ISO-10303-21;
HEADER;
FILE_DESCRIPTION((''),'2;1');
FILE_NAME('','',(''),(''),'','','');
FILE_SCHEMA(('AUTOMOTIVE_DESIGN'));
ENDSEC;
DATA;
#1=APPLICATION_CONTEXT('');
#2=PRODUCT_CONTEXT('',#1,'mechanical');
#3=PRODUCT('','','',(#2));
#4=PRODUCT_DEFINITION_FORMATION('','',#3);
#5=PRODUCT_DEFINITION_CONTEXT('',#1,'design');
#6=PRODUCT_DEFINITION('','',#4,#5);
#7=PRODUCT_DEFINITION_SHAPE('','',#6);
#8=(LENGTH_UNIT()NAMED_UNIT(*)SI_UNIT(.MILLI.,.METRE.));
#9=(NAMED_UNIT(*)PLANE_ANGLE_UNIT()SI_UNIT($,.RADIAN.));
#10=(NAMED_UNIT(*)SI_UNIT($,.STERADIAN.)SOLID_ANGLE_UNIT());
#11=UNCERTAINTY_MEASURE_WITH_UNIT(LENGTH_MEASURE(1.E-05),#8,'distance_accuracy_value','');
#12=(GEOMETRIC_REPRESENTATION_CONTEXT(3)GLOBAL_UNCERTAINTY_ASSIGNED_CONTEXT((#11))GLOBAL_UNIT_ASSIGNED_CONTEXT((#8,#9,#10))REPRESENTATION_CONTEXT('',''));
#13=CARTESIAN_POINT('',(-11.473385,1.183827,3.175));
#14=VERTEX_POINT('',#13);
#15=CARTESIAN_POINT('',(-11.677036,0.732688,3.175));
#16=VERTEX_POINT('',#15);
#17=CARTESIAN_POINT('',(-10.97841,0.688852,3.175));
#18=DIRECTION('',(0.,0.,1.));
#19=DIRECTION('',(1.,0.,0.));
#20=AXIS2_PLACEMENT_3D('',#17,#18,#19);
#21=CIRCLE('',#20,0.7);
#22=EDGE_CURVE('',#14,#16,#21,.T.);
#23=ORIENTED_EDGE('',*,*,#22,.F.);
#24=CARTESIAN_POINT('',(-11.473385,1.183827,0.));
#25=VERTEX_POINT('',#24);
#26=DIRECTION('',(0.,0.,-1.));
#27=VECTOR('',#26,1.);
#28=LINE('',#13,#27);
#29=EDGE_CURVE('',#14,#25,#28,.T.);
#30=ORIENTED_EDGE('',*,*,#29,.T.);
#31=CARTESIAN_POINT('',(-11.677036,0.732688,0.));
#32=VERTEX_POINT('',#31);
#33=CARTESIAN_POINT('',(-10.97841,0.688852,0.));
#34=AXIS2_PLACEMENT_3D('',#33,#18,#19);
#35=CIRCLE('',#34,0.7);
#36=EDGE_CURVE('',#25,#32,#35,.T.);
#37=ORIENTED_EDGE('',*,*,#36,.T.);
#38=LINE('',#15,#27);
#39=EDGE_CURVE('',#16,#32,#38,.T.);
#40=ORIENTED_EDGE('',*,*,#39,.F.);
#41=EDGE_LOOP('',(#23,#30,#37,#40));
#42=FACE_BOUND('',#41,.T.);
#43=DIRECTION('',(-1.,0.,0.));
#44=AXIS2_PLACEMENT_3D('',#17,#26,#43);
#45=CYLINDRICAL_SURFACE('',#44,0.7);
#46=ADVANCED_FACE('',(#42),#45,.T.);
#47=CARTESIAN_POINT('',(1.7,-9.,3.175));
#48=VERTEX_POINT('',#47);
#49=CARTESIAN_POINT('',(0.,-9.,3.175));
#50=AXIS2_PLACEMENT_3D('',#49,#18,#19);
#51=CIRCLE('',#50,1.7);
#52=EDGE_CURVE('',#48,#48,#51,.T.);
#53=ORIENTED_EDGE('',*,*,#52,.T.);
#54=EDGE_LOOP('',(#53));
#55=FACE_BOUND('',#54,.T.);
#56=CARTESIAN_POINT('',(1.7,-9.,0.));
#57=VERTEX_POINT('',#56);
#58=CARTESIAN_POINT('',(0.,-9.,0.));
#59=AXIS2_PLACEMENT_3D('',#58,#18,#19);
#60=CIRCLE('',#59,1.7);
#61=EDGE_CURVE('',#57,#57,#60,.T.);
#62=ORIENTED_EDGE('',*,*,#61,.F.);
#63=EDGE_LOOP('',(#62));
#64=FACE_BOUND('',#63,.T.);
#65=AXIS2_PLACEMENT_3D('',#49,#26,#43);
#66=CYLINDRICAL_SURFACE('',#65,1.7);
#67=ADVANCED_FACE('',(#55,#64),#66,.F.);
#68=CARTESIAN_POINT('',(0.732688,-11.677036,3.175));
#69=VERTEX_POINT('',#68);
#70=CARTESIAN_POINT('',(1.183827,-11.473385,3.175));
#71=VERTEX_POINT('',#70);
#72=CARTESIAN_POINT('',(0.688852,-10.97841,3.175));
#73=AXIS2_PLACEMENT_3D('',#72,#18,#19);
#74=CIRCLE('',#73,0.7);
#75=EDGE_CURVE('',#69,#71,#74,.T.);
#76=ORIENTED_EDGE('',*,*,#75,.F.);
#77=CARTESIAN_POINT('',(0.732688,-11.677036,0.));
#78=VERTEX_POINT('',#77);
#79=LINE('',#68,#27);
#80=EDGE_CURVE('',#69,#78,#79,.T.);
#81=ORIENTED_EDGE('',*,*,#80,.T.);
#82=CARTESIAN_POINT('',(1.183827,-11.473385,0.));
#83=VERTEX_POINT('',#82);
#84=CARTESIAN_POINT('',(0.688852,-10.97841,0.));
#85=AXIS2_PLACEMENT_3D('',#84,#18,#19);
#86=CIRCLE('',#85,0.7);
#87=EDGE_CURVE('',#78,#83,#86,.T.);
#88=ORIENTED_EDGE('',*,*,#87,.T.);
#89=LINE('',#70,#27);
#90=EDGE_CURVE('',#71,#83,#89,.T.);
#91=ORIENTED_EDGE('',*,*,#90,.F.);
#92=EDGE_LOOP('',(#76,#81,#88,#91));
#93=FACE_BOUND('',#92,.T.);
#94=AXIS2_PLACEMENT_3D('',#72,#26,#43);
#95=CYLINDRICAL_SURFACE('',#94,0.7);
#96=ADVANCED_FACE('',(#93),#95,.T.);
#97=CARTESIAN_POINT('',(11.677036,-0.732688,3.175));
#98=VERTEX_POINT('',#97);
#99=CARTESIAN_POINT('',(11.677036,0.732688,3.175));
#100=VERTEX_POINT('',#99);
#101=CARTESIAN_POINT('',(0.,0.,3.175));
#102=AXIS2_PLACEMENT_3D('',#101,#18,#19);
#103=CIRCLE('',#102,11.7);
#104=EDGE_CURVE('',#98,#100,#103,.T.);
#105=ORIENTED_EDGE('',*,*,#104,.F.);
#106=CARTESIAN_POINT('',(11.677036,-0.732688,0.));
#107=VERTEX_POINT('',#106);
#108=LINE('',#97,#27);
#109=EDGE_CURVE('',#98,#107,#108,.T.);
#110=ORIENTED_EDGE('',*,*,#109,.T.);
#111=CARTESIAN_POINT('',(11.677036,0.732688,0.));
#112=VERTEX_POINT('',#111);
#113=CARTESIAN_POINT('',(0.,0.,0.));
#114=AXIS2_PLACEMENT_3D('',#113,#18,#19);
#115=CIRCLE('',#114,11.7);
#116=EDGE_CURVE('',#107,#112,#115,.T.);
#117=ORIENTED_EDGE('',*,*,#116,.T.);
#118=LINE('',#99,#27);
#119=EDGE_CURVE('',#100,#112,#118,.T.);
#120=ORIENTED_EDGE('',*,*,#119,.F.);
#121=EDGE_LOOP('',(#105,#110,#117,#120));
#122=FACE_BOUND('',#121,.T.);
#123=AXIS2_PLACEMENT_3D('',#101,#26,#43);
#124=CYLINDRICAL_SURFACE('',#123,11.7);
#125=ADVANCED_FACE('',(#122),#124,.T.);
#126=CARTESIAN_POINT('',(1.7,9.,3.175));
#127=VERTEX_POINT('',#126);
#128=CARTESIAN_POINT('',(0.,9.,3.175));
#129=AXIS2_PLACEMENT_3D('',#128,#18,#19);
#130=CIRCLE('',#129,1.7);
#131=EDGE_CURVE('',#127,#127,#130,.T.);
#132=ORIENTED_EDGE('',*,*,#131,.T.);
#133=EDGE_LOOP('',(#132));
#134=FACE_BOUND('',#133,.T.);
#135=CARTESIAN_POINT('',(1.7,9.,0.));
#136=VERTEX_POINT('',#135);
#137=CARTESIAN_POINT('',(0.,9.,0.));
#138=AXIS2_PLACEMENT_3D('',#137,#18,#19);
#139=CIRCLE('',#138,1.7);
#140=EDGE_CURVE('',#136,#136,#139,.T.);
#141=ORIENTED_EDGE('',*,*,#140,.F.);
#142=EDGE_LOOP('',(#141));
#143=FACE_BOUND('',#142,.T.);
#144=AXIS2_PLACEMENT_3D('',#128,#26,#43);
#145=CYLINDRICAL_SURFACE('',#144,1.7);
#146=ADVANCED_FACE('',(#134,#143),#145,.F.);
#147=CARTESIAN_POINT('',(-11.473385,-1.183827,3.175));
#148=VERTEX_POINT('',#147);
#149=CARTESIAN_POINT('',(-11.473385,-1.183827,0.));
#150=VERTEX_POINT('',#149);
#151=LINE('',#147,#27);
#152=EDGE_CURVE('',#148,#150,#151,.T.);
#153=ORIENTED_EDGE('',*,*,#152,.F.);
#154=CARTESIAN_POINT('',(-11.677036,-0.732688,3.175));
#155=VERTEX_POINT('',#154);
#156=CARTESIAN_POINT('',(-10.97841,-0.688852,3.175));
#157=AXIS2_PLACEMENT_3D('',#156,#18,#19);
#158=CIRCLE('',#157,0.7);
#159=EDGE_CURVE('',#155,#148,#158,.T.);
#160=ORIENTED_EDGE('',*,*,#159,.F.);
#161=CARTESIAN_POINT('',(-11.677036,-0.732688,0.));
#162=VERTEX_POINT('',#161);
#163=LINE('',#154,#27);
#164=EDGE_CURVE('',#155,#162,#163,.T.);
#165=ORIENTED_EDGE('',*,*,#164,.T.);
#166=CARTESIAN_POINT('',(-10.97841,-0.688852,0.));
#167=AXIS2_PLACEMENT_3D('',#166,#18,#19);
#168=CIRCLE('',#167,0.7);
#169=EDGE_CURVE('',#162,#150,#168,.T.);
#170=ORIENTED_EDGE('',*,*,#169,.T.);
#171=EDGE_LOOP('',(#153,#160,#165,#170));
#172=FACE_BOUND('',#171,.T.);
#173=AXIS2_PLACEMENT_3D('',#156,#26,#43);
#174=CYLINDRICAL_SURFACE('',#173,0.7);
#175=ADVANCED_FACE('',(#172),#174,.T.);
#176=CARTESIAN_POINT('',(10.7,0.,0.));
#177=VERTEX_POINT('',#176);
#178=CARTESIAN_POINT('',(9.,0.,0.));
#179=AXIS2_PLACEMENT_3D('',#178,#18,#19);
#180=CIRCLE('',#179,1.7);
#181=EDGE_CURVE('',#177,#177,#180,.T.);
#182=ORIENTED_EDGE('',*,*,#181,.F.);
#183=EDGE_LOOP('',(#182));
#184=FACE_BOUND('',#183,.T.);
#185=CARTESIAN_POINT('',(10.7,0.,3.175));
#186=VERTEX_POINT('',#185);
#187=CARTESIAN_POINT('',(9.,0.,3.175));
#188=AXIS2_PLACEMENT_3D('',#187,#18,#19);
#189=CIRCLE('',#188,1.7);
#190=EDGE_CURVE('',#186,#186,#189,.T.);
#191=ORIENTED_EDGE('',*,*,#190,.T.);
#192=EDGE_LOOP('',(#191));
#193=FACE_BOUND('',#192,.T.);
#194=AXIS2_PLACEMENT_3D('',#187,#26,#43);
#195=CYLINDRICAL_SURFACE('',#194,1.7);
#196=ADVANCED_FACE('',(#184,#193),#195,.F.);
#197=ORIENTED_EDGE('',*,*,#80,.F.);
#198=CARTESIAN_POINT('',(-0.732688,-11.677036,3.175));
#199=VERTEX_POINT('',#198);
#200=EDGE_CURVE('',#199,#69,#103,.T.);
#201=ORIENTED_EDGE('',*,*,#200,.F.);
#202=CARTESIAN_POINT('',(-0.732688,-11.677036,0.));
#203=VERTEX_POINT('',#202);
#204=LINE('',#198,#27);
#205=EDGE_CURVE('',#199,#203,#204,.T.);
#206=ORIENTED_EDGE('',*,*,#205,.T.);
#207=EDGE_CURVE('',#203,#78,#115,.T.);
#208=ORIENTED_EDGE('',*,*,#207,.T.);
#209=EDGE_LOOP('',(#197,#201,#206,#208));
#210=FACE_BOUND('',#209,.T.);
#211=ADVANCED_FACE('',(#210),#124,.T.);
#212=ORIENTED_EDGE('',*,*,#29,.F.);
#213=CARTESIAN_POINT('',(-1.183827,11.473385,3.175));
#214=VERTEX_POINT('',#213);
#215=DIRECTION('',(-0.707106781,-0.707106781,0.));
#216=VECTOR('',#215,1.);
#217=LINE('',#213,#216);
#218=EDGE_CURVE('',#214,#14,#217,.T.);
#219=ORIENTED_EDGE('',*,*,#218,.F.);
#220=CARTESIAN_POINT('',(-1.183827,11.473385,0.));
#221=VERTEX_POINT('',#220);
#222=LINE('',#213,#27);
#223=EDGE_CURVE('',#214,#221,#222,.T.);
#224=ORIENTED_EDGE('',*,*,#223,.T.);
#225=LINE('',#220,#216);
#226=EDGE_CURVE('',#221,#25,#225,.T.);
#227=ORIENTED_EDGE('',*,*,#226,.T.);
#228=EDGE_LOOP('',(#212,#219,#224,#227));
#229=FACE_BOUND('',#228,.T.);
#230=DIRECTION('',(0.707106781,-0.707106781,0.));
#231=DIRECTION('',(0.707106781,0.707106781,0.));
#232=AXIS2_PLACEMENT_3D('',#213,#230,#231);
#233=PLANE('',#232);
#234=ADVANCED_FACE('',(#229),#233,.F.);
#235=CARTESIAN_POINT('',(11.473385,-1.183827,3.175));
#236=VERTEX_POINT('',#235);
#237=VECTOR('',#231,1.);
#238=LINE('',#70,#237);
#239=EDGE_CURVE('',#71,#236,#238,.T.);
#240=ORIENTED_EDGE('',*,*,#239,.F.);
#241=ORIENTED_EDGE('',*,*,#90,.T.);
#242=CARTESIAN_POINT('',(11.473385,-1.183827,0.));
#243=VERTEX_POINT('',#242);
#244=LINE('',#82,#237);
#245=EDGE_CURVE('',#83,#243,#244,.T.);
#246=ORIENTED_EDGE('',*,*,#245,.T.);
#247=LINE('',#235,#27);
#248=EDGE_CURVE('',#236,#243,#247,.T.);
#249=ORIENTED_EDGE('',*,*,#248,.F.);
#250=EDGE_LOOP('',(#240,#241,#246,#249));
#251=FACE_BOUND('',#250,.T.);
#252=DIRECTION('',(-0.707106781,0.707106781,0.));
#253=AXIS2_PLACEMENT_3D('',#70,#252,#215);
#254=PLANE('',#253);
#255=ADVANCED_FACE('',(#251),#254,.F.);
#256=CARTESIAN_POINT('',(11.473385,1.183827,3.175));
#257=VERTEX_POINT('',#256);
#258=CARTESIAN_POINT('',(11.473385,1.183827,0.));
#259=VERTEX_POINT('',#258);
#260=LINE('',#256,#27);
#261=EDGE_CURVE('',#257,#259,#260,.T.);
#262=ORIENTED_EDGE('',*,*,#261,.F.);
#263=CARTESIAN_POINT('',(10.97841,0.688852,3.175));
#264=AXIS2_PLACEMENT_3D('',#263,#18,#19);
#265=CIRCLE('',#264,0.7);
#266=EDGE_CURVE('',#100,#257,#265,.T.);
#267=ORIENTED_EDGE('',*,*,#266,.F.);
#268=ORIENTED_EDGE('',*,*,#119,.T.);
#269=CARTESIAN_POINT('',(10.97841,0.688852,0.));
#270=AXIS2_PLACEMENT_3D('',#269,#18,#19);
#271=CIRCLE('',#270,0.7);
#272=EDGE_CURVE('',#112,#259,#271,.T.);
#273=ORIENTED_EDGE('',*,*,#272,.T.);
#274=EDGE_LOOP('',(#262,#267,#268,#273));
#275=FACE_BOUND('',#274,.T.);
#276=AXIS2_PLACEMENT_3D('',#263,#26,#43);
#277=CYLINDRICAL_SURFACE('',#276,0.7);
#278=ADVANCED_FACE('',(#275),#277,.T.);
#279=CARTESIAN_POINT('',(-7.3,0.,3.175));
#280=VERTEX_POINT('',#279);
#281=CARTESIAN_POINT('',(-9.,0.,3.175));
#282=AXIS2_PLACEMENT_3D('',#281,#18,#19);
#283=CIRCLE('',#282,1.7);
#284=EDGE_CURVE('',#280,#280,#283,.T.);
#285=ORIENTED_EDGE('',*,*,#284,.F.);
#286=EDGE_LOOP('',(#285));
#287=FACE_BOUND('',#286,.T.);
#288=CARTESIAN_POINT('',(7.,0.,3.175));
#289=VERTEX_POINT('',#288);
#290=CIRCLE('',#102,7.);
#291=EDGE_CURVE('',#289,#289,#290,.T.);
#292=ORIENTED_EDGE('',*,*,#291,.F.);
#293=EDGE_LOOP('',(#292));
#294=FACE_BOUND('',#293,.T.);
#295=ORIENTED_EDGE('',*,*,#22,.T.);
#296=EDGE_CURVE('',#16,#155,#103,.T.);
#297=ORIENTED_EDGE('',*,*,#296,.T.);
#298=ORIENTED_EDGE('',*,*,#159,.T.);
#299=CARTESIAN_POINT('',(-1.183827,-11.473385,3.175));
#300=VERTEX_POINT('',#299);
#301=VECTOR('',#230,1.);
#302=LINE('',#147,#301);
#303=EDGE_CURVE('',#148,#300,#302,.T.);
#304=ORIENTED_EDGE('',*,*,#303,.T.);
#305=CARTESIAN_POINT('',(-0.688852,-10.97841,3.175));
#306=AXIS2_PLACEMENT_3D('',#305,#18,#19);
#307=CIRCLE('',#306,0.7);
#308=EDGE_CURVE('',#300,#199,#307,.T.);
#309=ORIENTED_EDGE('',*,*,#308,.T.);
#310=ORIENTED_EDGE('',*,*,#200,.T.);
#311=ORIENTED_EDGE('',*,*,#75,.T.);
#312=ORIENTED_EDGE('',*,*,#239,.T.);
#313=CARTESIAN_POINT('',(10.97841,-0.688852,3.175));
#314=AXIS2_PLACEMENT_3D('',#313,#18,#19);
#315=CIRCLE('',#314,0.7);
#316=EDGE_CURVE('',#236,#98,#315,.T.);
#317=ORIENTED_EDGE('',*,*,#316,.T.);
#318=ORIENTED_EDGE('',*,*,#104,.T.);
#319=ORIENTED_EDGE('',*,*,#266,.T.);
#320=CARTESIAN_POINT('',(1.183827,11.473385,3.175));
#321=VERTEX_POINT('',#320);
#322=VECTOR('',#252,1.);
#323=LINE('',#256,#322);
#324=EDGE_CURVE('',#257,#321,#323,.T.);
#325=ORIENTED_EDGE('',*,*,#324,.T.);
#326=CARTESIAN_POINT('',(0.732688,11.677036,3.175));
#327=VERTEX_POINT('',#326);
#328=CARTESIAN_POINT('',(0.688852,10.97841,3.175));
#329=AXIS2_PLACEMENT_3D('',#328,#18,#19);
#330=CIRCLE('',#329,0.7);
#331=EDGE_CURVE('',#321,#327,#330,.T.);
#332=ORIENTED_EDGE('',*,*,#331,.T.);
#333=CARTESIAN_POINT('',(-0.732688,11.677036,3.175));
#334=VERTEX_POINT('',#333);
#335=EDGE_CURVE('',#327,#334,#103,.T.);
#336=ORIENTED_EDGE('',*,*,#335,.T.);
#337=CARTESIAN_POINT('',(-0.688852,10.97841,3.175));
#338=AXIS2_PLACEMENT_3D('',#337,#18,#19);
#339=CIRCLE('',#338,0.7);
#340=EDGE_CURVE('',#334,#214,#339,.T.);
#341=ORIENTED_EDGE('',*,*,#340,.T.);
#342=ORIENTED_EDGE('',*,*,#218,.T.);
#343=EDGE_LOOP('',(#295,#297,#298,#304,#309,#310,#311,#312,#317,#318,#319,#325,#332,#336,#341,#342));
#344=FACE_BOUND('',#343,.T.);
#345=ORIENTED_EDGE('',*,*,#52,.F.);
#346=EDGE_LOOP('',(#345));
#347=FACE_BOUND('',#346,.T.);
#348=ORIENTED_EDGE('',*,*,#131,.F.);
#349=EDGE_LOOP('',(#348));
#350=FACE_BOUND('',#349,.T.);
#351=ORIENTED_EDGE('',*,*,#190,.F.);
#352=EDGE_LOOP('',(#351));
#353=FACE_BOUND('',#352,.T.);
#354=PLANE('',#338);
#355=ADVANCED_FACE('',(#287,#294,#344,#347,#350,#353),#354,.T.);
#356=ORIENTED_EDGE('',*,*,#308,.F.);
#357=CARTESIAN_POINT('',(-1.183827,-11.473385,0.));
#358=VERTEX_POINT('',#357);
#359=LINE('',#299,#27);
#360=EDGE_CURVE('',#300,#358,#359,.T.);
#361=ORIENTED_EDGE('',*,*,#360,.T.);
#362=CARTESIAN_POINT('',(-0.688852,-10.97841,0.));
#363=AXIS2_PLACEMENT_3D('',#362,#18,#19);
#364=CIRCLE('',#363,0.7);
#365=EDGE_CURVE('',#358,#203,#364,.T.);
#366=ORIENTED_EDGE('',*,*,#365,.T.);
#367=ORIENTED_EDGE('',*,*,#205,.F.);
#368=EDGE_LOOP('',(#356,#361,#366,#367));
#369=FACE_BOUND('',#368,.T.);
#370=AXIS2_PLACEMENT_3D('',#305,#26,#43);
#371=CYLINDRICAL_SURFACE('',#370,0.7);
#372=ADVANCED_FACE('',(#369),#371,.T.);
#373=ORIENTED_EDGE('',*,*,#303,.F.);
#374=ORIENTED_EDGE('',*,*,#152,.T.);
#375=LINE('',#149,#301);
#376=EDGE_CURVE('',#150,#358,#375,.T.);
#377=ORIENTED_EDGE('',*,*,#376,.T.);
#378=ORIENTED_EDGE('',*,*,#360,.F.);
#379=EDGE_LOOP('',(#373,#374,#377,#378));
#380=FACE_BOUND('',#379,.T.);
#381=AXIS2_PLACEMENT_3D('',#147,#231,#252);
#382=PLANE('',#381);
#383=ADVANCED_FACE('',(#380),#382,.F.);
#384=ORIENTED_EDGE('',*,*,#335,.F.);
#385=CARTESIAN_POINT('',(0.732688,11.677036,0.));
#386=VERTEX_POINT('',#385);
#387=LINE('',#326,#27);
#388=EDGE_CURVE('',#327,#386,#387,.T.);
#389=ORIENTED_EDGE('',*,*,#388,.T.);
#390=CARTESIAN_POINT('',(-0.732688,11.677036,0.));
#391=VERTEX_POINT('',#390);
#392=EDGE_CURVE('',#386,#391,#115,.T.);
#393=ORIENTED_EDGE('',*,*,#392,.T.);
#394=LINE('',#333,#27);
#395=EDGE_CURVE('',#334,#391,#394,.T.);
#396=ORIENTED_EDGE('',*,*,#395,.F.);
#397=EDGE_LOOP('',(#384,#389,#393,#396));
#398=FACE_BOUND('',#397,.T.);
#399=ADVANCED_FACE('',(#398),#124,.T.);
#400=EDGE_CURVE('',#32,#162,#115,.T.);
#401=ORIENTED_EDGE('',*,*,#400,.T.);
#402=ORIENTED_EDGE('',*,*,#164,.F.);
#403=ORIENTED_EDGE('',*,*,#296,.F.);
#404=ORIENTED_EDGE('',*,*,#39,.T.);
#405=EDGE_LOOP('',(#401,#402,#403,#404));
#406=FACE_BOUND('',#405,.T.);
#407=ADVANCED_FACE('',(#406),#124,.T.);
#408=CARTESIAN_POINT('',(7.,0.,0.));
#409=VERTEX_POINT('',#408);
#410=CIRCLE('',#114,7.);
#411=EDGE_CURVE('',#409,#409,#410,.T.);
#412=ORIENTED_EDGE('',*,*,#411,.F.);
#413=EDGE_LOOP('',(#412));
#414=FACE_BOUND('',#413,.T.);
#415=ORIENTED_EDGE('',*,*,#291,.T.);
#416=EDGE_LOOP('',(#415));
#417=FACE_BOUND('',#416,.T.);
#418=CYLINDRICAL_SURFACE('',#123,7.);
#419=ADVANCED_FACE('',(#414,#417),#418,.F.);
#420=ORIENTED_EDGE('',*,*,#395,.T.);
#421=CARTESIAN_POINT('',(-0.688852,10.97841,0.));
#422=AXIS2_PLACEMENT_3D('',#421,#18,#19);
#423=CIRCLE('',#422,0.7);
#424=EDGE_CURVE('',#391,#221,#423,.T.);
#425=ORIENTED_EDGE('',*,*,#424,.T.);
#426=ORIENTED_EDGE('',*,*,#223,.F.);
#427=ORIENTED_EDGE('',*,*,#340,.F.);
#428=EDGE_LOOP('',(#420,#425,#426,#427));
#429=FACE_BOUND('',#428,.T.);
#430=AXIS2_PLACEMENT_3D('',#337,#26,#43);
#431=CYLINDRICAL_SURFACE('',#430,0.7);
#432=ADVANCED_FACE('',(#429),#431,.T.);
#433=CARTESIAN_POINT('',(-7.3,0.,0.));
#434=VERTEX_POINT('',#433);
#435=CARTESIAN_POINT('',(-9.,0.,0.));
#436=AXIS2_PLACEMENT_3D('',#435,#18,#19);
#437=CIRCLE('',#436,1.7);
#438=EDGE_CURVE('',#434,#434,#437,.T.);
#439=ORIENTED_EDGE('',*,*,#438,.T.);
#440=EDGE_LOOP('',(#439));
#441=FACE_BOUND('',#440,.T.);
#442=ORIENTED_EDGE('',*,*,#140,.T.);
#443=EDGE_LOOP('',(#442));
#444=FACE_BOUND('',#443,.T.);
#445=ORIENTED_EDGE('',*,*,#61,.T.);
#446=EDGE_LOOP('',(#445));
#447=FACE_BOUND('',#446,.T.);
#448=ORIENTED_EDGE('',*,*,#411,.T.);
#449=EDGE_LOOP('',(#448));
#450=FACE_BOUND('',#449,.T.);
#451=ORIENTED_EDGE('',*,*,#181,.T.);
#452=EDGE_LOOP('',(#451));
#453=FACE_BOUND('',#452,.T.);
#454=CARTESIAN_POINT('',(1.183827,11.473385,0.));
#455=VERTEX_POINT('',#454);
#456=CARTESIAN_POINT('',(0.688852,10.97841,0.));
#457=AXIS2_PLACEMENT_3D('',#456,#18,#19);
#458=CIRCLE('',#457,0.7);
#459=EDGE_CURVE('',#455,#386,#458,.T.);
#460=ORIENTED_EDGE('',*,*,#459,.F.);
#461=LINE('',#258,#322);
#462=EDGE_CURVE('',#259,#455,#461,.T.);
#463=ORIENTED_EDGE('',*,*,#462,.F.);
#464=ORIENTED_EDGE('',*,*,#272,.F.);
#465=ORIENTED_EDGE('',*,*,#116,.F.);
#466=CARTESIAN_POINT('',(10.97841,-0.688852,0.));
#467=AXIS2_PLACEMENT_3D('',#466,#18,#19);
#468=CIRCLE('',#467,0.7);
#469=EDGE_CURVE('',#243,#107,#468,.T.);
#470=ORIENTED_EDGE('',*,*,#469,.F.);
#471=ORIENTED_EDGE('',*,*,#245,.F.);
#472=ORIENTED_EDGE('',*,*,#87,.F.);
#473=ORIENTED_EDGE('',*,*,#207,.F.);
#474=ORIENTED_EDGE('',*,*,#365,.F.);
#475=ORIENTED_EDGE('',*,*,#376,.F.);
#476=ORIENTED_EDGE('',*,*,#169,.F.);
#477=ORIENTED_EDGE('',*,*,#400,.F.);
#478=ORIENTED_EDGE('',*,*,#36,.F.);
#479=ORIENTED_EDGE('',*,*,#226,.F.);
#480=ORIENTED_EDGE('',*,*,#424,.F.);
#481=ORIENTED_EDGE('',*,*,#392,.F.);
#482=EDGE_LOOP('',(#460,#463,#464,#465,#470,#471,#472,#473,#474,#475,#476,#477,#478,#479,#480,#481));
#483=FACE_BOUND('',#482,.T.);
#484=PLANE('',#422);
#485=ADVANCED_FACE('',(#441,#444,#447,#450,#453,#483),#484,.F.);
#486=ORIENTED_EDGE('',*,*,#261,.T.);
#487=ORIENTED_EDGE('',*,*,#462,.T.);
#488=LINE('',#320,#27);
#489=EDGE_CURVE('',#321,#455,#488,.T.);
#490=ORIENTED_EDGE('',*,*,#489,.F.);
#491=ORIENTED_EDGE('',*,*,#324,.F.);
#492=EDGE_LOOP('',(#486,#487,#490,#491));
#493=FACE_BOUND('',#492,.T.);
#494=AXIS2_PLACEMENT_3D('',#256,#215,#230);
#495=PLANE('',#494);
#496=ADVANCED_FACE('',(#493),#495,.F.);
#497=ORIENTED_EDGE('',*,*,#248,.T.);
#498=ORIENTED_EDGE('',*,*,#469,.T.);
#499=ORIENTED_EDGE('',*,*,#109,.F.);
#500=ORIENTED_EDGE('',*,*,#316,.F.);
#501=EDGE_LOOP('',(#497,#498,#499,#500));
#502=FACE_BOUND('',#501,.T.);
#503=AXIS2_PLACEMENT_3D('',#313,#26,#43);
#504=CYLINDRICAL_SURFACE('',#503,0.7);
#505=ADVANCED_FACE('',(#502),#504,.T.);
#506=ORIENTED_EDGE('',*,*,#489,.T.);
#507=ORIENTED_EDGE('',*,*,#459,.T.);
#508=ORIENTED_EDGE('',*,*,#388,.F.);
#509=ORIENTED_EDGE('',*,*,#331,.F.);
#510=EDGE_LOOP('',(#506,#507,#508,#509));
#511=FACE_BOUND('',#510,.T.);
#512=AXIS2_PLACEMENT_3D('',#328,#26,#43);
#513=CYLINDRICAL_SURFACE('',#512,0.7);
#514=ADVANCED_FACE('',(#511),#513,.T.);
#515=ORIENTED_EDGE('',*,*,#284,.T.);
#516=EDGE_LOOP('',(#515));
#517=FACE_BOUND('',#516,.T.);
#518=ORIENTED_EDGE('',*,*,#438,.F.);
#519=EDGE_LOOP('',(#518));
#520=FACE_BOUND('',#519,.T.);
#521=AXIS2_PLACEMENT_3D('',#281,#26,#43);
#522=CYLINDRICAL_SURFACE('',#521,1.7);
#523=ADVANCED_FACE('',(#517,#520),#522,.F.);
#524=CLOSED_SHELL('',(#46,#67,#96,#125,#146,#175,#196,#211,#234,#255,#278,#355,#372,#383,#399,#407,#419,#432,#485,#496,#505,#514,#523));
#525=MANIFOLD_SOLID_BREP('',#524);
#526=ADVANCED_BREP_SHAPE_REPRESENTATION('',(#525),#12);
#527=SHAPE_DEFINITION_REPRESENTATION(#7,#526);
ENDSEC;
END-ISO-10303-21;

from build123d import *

# Parameters (mm, degrees)
SKETCH1_R           = 1.7
SKETCH1_R_2         = 7
BOSS_EXTRUDE1_DEPTH = 3.175


with BuildPart() as part:
    # Sketch1 → Boss-Extrude1 (new body)
    with BuildSketch(Plane.XY):
        with BuildLine():
            Line((-1.183826785, 11.473384598), (-11.473384598, 1.183826785))
            ThreePointArc((-11.473384598, 1.183826785), (-11.616416331, 0.976858517), (-11.677035933, 0.732688077))
            ThreePointArc((-11.677035933, 0.732688077), (-11.7, 0), (-11.677035933, -0.732688077))
            ThreePointArc((-11.677035933, -0.732688077), (-11.616416331, -0.976858517), (-11.473384598, -1.183826785))
            Line((-11.473384598, -1.183826785), (-1.183826785, -11.473384598))
            ThreePointArc((-1.183826785, -11.473384598), (-0.976858517, -11.616416331), (-0.732688077, -11.677035933))
            ThreePointArc((-0.732688077, -11.677035933), (0, -11.7), (0.732688077, -11.677035933))
            ThreePointArc((0.732688077, -11.677035933), (0.976858517, -11.616416331), (1.183826785, -11.473384598))
            Line((1.183826785, -11.473384598), (11.473384598, -1.183826785))
            ThreePointArc((11.473384598, -1.183826785), (11.616416331, -0.976858517), (11.677035933, -0.732688077))
            ThreePointArc((11.677035933, -0.732688077), (11.7, 0), (11.677035933, 0.732688077))
            ThreePointArc((11.677035933, 0.732688077), (11.616416331, 0.976858517), (11.473384598, 1.183826785))
            Line((11.473384598, 1.183826785), (1.183826785, 11.473384598))
            ThreePointArc((1.183826785, 11.473384598), (0.976858517, 11.616416331), (0.732688077, 11.677035933))
            ThreePointArc((0.732688077, 11.677035933), (0, 11.7), (-0.732688077, 11.677035933))
            ThreePointArc((-0.732688077, 11.677035933), (-0.976858517, 11.616416331), (-1.183826785, 11.473384598))
        make_face()
        with Locations((0, -9)):
            Circle(SKETCH1_R, mode=Mode.SUBTRACT)
        with Locations((-9, 0)):
            Circle(SKETCH1_R, mode=Mode.SUBTRACT)
        with Locations((0, 9)):
            Circle(SKETCH1_R, mode=Mode.SUBTRACT)
        with Locations((9, 0)):
            Circle(SKETCH1_R, mode=Mode.SUBTRACT)
        Circle(SKETCH1_R_2, mode=Mode.SUBTRACT)
    extrude(amount=BOSS_EXTRUDE1_DEPTH)


solid = part.part
